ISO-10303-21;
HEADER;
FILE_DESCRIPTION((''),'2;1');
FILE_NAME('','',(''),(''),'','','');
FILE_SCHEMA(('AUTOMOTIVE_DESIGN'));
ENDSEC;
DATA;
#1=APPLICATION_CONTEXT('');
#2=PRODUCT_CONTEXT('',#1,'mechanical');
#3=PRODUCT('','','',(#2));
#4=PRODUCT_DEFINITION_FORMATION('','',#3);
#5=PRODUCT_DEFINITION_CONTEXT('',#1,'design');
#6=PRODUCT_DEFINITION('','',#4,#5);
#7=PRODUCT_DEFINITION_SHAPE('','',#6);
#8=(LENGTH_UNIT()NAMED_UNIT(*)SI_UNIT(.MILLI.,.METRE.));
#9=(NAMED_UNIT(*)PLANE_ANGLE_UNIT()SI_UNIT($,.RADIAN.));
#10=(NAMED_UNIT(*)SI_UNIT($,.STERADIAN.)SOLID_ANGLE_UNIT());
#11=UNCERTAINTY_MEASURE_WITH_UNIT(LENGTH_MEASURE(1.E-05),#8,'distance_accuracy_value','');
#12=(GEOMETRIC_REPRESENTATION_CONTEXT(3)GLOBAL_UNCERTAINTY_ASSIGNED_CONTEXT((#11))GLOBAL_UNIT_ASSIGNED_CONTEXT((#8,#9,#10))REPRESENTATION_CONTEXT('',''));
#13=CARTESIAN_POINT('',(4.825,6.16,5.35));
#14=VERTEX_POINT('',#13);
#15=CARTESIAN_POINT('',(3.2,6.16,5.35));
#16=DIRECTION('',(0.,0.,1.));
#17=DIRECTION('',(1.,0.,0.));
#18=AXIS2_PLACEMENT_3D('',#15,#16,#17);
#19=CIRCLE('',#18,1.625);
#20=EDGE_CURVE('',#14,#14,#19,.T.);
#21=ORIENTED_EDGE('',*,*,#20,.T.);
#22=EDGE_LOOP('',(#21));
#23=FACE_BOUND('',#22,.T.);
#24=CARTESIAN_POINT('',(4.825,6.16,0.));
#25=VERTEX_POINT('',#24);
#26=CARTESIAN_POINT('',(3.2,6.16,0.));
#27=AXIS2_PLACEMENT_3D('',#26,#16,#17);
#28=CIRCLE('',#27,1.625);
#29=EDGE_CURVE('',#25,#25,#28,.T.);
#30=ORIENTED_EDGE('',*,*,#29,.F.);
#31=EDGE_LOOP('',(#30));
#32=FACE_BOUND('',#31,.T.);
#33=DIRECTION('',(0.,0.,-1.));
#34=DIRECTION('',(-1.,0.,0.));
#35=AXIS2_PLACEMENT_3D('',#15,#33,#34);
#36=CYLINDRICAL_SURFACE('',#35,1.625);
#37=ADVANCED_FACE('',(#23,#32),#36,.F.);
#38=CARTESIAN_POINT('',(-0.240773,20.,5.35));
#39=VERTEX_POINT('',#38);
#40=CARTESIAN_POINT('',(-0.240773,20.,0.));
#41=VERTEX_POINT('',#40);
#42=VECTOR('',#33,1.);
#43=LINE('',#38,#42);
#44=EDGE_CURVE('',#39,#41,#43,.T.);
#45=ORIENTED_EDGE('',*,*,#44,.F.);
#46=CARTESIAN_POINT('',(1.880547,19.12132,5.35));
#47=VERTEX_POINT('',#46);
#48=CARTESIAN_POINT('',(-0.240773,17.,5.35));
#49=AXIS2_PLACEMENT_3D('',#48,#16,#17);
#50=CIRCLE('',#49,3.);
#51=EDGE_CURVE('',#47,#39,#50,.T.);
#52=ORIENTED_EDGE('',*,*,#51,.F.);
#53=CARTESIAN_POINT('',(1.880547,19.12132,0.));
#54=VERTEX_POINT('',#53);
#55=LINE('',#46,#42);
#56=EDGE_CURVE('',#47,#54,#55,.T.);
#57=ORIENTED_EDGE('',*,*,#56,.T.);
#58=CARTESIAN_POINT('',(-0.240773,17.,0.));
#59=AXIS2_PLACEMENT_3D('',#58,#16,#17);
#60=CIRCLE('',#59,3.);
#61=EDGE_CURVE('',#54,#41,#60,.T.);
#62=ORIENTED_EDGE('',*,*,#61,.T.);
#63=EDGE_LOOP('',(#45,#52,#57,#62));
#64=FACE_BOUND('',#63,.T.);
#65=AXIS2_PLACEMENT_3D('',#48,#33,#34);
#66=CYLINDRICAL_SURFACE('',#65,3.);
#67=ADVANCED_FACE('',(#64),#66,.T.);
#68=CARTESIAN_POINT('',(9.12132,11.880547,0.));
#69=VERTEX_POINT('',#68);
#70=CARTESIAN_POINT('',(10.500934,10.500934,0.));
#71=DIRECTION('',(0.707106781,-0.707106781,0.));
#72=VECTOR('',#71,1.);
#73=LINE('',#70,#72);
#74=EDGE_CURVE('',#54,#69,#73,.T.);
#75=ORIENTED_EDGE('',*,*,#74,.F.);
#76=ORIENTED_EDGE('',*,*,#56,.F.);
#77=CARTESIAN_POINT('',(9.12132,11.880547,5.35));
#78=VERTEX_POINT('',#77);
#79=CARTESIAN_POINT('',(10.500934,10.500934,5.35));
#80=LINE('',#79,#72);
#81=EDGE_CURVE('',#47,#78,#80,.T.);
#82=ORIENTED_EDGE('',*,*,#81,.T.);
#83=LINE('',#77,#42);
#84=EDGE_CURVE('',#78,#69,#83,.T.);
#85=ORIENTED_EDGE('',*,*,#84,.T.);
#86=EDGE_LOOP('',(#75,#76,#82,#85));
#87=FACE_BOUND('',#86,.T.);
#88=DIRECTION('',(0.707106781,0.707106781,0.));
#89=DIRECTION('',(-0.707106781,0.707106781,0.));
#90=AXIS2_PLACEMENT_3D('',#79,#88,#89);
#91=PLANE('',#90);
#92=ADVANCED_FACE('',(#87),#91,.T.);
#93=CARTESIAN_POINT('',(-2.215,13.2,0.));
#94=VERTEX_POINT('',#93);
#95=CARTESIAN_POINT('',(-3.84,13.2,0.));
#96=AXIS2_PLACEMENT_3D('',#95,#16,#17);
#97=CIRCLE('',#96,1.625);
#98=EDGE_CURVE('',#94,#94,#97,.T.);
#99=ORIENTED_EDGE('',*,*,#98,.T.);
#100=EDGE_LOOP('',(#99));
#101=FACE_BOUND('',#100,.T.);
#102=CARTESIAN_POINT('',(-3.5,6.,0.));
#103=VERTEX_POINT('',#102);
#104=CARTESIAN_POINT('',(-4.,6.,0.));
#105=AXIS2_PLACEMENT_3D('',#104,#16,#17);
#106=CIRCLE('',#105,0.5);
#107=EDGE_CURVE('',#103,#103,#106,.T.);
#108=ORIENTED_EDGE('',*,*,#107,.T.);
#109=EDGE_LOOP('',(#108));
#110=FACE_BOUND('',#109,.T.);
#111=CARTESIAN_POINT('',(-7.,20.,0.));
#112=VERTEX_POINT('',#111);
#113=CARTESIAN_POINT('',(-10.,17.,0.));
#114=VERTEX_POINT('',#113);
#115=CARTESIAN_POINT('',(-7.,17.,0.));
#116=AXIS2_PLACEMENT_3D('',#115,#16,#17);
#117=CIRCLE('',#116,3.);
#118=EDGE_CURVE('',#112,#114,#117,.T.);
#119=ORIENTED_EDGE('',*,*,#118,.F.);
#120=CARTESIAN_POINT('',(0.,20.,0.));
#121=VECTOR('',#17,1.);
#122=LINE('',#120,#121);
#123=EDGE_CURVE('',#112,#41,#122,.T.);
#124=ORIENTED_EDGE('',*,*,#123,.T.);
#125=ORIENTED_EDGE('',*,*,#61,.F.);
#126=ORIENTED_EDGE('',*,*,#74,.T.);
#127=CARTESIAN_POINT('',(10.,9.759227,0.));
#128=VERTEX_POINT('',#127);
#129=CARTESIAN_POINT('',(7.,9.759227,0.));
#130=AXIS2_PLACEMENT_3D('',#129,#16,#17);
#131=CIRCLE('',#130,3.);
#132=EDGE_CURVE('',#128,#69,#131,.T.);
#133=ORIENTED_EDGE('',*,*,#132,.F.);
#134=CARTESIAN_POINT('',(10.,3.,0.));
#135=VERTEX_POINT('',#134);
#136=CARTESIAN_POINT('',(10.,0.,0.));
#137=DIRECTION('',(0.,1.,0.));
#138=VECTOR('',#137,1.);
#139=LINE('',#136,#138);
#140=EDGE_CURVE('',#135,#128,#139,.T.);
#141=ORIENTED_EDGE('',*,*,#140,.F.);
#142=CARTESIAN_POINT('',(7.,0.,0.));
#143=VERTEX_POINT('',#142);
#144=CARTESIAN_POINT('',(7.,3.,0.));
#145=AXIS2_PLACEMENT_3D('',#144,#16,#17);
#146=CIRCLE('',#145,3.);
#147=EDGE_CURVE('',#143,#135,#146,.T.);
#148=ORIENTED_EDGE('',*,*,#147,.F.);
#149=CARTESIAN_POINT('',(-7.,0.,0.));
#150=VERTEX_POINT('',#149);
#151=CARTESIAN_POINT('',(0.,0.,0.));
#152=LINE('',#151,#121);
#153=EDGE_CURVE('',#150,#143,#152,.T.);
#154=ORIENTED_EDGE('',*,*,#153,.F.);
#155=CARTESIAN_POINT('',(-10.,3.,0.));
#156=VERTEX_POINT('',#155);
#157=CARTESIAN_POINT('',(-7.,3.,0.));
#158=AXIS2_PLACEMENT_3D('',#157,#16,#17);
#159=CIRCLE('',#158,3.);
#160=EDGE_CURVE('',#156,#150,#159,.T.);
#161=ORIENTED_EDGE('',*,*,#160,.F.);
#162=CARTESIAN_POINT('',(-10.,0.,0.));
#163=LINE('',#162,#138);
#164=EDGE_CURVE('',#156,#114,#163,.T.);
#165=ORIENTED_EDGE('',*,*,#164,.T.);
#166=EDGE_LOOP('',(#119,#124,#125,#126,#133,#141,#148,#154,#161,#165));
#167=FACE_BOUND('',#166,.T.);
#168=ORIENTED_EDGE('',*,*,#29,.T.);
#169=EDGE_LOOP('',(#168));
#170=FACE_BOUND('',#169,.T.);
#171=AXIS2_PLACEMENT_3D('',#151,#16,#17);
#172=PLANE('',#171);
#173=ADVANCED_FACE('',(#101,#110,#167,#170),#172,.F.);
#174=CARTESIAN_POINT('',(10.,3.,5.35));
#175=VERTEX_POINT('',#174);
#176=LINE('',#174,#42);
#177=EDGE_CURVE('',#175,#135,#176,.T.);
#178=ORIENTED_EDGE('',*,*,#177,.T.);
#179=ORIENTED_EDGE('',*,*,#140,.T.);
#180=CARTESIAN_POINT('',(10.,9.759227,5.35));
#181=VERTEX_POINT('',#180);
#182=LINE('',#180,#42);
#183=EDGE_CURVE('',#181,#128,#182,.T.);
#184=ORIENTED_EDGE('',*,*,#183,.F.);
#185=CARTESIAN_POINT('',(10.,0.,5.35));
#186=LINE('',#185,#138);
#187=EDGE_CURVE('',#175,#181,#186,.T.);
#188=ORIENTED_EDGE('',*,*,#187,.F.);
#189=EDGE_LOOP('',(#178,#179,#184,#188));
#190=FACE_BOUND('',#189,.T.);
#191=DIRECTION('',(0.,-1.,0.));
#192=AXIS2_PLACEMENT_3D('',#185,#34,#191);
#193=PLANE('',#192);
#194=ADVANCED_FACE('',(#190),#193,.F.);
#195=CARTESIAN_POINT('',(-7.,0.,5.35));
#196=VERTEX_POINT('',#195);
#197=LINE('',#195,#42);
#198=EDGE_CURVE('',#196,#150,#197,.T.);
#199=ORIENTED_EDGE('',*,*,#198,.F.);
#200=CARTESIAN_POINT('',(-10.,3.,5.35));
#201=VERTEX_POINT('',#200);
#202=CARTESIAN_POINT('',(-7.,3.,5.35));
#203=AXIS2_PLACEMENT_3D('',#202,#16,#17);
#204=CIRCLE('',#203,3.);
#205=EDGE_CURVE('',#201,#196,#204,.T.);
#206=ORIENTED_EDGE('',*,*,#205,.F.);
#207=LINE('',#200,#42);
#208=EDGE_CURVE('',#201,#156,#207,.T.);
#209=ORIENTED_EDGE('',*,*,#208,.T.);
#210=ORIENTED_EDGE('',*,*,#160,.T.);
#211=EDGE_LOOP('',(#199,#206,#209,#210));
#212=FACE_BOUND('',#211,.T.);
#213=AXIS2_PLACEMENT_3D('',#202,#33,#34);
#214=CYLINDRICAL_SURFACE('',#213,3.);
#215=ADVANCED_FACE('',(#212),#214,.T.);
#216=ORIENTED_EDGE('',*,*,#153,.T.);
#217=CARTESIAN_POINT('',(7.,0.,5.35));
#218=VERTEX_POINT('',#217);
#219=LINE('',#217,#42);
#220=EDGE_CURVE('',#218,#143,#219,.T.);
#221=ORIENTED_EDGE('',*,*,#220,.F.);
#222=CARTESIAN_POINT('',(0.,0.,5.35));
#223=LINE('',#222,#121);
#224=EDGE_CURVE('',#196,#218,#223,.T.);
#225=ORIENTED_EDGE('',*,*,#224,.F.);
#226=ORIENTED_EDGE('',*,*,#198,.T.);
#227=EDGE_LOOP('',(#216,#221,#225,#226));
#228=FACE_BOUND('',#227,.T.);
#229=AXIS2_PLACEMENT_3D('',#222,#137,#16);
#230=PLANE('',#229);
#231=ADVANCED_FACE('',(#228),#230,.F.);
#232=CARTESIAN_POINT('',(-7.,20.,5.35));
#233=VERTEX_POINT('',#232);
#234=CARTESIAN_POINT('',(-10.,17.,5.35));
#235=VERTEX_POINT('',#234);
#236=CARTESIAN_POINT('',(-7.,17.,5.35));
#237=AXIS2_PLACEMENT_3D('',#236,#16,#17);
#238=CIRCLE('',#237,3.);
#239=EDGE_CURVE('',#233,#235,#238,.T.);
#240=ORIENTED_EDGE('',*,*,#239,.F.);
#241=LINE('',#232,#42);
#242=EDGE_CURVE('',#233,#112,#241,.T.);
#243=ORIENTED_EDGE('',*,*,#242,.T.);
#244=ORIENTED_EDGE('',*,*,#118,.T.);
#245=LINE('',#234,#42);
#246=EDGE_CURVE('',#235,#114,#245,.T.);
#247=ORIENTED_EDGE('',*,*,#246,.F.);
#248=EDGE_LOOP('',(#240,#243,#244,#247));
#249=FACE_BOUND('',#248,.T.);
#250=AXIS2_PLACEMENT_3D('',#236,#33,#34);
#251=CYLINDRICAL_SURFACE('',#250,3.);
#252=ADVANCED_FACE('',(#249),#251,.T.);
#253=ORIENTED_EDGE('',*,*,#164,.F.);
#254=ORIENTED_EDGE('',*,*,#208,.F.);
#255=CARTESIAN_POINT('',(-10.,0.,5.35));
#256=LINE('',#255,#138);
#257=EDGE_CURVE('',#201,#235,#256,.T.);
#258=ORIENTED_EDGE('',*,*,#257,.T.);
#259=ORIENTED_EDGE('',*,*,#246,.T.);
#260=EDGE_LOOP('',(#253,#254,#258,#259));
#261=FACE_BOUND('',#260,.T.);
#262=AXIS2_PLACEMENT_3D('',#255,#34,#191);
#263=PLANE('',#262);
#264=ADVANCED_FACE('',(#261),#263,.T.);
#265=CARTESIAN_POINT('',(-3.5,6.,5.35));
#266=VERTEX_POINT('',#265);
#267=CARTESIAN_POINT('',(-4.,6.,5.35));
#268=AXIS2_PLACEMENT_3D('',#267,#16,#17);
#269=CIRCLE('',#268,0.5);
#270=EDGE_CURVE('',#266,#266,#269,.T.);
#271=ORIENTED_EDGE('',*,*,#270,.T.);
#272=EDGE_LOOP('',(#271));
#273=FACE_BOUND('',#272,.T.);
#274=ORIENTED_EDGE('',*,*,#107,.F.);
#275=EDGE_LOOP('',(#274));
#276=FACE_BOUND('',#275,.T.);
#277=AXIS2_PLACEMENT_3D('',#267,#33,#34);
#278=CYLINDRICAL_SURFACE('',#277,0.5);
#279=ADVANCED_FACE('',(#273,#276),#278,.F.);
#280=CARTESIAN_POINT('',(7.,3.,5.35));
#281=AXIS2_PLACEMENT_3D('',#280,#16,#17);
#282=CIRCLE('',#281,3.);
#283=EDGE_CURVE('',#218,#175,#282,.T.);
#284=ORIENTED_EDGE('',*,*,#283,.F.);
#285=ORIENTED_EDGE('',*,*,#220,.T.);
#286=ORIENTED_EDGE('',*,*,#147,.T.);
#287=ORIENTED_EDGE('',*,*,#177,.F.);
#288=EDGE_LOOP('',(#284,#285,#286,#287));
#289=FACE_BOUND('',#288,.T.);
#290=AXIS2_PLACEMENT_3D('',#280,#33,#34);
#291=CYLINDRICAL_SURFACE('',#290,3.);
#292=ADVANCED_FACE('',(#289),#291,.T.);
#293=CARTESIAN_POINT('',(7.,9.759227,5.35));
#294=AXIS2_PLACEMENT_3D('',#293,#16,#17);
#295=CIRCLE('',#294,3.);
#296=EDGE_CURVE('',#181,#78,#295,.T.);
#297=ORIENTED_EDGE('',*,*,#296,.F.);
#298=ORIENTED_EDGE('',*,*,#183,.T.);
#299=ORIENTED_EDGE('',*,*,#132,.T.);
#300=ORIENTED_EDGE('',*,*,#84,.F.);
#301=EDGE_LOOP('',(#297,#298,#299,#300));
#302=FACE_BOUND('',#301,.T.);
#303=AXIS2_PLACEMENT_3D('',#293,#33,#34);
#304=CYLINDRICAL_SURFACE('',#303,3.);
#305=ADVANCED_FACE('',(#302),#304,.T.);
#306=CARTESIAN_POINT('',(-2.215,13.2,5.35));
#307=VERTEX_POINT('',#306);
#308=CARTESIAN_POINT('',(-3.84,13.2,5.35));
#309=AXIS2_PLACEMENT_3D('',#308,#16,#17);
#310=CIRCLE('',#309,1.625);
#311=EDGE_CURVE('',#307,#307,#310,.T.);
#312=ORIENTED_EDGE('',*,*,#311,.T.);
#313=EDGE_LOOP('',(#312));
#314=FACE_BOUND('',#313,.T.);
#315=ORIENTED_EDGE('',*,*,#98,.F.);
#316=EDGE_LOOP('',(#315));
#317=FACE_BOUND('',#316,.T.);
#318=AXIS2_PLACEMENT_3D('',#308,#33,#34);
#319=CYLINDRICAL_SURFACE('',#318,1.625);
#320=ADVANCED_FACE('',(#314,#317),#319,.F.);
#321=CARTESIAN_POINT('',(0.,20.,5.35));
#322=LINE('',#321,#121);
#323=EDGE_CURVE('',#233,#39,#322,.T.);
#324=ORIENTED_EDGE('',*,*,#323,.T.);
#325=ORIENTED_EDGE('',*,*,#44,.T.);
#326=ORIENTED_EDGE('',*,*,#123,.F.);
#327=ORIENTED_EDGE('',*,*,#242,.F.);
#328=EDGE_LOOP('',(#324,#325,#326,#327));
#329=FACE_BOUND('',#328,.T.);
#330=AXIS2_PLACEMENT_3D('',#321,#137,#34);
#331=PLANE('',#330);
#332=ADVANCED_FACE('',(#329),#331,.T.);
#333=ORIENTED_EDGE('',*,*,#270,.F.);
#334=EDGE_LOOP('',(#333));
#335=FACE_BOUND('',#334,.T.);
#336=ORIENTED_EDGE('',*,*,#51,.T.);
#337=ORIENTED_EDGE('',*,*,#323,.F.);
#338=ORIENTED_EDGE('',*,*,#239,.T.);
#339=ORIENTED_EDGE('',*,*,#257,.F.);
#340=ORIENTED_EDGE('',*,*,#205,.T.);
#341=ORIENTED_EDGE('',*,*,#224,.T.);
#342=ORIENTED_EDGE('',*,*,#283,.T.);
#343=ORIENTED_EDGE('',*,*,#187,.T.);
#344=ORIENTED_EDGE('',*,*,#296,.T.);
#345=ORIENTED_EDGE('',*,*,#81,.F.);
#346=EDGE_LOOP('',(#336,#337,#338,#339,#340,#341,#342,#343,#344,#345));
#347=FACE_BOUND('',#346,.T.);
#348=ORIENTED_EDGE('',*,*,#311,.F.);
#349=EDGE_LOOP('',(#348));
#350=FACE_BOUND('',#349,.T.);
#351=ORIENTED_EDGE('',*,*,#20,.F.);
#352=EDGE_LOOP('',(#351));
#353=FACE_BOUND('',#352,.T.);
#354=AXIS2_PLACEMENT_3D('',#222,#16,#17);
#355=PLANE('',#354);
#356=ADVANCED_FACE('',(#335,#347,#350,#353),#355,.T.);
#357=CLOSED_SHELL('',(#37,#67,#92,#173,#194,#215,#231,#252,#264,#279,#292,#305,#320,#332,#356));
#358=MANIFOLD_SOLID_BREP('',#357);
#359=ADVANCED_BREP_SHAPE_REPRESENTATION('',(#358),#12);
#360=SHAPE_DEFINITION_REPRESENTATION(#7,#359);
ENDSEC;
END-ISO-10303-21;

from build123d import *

# Parameters (mm, degrees)
MODEL_R             = 1.625
MODEL_R_2           = 0.5
BOSS_EXTRUDE1_DEPTH = 5.35


with BuildPart() as part:
    # Model → Boss-Extrude1 (new body)
    with BuildSketch(Plane.XY):
        with BuildLine():
            Line((1.880546904, 19.121320344), (9.121320344, 11.880546904))
            ThreePointArc((9.121320344, 11.880546904), (9.771638598, 10.907276858), (10, 9.759226561))
            Line((10, 9.759226561), (10, 3))
            ThreePointArc((10, 3), (9.121320344, 0.878679656), (7, 0))
            Line((7, 0), (-7, 0))
            ThreePointArc((-7, 0), (-9.121320344, 0.878679656), (-10, 3))
            Line((-10, 3), (-10, 17))
            ThreePointArc((-10, 17), (-9.121320344, 19.121320344), (-7, 20))
            Line((-7, 20), (-0.240773439, 20))
            ThreePointArc((-0.240773439, 20), (0.907276858, 19.771638598), (1.880546904, 19.121320344))
        make_face()
        with Locations((3.2, 6.16)):
            Circle(MODEL_R, mode=Mode.SUBTRACT)
        with Locations((-3.84, 13.2)):
            Circle(MODEL_R, mode=Mode.SUBTRACT)
        with Locations((-4, 6)):
            Circle(MODEL_R_2, mode=Mode.SUBTRACT)
    extrude(amount=BOSS_EXTRUDE1_DEPTH)


solid = part.part
